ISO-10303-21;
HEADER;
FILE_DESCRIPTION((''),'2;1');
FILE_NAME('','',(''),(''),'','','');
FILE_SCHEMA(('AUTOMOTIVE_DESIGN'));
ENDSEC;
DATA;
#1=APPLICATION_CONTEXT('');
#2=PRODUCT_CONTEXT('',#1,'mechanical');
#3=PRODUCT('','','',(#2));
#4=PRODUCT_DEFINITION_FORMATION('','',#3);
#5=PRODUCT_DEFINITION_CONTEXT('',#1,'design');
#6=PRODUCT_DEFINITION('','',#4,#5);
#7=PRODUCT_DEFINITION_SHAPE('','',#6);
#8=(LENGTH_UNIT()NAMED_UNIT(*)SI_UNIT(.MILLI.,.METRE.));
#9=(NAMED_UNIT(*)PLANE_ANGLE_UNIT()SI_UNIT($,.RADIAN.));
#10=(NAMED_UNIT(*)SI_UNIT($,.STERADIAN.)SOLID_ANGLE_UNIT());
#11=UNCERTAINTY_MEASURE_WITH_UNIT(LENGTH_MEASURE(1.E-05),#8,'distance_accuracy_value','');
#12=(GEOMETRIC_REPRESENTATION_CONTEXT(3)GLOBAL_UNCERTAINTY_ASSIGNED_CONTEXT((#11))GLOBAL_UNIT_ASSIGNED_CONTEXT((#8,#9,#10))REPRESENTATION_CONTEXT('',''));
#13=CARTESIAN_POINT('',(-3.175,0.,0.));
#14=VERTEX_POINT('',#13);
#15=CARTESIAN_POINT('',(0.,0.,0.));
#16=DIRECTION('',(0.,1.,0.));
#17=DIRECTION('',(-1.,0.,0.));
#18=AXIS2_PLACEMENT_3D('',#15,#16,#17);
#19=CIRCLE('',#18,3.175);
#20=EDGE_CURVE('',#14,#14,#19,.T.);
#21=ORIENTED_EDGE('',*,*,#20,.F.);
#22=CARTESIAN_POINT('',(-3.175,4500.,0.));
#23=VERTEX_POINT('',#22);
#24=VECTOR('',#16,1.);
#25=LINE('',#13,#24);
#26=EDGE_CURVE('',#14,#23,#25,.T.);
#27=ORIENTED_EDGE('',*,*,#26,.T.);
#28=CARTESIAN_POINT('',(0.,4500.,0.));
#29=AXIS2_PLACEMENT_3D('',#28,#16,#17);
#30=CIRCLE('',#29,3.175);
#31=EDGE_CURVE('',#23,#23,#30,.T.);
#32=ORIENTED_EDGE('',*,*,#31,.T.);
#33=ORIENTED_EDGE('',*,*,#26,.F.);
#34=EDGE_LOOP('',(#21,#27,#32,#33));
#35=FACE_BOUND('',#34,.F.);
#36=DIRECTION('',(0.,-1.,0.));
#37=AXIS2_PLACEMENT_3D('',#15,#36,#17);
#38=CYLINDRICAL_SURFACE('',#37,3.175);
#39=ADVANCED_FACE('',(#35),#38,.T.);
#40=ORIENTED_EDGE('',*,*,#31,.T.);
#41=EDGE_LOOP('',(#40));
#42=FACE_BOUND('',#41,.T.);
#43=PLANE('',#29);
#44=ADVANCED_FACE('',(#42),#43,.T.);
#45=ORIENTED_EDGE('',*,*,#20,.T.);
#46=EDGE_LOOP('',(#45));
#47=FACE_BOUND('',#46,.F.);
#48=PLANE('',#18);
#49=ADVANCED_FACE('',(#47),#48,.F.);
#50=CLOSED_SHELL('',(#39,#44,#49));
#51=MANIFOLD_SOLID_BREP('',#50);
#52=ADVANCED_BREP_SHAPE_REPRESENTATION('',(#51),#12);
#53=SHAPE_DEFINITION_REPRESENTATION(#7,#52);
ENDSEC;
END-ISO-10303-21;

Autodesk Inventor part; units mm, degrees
ref_plane "YZ Plane" through (0, 0, 0) normal (1, 0, 0) x (0, 1, 0)
ref_plane "XZ Plane" through (0, 0, 0) normal (0, 1, 0) x (-1, 0, 0)
ref_plane "XY Plane" through (0, 0, 0) normal (0, 0, 1) x (1, 0, 0)
sketch "Sketch1" plane through (0, 0, 0) normal (0, 1, 0) x (-1, 0, 0)
  circle A0 centre (0, 0) radius 3.175
  dimension "d0" = 6.35
extrude "Extrusion1" add sketch "Sketch1" along normal blind 4500
properties part number "wireRope" material "Steel, Alloy"
